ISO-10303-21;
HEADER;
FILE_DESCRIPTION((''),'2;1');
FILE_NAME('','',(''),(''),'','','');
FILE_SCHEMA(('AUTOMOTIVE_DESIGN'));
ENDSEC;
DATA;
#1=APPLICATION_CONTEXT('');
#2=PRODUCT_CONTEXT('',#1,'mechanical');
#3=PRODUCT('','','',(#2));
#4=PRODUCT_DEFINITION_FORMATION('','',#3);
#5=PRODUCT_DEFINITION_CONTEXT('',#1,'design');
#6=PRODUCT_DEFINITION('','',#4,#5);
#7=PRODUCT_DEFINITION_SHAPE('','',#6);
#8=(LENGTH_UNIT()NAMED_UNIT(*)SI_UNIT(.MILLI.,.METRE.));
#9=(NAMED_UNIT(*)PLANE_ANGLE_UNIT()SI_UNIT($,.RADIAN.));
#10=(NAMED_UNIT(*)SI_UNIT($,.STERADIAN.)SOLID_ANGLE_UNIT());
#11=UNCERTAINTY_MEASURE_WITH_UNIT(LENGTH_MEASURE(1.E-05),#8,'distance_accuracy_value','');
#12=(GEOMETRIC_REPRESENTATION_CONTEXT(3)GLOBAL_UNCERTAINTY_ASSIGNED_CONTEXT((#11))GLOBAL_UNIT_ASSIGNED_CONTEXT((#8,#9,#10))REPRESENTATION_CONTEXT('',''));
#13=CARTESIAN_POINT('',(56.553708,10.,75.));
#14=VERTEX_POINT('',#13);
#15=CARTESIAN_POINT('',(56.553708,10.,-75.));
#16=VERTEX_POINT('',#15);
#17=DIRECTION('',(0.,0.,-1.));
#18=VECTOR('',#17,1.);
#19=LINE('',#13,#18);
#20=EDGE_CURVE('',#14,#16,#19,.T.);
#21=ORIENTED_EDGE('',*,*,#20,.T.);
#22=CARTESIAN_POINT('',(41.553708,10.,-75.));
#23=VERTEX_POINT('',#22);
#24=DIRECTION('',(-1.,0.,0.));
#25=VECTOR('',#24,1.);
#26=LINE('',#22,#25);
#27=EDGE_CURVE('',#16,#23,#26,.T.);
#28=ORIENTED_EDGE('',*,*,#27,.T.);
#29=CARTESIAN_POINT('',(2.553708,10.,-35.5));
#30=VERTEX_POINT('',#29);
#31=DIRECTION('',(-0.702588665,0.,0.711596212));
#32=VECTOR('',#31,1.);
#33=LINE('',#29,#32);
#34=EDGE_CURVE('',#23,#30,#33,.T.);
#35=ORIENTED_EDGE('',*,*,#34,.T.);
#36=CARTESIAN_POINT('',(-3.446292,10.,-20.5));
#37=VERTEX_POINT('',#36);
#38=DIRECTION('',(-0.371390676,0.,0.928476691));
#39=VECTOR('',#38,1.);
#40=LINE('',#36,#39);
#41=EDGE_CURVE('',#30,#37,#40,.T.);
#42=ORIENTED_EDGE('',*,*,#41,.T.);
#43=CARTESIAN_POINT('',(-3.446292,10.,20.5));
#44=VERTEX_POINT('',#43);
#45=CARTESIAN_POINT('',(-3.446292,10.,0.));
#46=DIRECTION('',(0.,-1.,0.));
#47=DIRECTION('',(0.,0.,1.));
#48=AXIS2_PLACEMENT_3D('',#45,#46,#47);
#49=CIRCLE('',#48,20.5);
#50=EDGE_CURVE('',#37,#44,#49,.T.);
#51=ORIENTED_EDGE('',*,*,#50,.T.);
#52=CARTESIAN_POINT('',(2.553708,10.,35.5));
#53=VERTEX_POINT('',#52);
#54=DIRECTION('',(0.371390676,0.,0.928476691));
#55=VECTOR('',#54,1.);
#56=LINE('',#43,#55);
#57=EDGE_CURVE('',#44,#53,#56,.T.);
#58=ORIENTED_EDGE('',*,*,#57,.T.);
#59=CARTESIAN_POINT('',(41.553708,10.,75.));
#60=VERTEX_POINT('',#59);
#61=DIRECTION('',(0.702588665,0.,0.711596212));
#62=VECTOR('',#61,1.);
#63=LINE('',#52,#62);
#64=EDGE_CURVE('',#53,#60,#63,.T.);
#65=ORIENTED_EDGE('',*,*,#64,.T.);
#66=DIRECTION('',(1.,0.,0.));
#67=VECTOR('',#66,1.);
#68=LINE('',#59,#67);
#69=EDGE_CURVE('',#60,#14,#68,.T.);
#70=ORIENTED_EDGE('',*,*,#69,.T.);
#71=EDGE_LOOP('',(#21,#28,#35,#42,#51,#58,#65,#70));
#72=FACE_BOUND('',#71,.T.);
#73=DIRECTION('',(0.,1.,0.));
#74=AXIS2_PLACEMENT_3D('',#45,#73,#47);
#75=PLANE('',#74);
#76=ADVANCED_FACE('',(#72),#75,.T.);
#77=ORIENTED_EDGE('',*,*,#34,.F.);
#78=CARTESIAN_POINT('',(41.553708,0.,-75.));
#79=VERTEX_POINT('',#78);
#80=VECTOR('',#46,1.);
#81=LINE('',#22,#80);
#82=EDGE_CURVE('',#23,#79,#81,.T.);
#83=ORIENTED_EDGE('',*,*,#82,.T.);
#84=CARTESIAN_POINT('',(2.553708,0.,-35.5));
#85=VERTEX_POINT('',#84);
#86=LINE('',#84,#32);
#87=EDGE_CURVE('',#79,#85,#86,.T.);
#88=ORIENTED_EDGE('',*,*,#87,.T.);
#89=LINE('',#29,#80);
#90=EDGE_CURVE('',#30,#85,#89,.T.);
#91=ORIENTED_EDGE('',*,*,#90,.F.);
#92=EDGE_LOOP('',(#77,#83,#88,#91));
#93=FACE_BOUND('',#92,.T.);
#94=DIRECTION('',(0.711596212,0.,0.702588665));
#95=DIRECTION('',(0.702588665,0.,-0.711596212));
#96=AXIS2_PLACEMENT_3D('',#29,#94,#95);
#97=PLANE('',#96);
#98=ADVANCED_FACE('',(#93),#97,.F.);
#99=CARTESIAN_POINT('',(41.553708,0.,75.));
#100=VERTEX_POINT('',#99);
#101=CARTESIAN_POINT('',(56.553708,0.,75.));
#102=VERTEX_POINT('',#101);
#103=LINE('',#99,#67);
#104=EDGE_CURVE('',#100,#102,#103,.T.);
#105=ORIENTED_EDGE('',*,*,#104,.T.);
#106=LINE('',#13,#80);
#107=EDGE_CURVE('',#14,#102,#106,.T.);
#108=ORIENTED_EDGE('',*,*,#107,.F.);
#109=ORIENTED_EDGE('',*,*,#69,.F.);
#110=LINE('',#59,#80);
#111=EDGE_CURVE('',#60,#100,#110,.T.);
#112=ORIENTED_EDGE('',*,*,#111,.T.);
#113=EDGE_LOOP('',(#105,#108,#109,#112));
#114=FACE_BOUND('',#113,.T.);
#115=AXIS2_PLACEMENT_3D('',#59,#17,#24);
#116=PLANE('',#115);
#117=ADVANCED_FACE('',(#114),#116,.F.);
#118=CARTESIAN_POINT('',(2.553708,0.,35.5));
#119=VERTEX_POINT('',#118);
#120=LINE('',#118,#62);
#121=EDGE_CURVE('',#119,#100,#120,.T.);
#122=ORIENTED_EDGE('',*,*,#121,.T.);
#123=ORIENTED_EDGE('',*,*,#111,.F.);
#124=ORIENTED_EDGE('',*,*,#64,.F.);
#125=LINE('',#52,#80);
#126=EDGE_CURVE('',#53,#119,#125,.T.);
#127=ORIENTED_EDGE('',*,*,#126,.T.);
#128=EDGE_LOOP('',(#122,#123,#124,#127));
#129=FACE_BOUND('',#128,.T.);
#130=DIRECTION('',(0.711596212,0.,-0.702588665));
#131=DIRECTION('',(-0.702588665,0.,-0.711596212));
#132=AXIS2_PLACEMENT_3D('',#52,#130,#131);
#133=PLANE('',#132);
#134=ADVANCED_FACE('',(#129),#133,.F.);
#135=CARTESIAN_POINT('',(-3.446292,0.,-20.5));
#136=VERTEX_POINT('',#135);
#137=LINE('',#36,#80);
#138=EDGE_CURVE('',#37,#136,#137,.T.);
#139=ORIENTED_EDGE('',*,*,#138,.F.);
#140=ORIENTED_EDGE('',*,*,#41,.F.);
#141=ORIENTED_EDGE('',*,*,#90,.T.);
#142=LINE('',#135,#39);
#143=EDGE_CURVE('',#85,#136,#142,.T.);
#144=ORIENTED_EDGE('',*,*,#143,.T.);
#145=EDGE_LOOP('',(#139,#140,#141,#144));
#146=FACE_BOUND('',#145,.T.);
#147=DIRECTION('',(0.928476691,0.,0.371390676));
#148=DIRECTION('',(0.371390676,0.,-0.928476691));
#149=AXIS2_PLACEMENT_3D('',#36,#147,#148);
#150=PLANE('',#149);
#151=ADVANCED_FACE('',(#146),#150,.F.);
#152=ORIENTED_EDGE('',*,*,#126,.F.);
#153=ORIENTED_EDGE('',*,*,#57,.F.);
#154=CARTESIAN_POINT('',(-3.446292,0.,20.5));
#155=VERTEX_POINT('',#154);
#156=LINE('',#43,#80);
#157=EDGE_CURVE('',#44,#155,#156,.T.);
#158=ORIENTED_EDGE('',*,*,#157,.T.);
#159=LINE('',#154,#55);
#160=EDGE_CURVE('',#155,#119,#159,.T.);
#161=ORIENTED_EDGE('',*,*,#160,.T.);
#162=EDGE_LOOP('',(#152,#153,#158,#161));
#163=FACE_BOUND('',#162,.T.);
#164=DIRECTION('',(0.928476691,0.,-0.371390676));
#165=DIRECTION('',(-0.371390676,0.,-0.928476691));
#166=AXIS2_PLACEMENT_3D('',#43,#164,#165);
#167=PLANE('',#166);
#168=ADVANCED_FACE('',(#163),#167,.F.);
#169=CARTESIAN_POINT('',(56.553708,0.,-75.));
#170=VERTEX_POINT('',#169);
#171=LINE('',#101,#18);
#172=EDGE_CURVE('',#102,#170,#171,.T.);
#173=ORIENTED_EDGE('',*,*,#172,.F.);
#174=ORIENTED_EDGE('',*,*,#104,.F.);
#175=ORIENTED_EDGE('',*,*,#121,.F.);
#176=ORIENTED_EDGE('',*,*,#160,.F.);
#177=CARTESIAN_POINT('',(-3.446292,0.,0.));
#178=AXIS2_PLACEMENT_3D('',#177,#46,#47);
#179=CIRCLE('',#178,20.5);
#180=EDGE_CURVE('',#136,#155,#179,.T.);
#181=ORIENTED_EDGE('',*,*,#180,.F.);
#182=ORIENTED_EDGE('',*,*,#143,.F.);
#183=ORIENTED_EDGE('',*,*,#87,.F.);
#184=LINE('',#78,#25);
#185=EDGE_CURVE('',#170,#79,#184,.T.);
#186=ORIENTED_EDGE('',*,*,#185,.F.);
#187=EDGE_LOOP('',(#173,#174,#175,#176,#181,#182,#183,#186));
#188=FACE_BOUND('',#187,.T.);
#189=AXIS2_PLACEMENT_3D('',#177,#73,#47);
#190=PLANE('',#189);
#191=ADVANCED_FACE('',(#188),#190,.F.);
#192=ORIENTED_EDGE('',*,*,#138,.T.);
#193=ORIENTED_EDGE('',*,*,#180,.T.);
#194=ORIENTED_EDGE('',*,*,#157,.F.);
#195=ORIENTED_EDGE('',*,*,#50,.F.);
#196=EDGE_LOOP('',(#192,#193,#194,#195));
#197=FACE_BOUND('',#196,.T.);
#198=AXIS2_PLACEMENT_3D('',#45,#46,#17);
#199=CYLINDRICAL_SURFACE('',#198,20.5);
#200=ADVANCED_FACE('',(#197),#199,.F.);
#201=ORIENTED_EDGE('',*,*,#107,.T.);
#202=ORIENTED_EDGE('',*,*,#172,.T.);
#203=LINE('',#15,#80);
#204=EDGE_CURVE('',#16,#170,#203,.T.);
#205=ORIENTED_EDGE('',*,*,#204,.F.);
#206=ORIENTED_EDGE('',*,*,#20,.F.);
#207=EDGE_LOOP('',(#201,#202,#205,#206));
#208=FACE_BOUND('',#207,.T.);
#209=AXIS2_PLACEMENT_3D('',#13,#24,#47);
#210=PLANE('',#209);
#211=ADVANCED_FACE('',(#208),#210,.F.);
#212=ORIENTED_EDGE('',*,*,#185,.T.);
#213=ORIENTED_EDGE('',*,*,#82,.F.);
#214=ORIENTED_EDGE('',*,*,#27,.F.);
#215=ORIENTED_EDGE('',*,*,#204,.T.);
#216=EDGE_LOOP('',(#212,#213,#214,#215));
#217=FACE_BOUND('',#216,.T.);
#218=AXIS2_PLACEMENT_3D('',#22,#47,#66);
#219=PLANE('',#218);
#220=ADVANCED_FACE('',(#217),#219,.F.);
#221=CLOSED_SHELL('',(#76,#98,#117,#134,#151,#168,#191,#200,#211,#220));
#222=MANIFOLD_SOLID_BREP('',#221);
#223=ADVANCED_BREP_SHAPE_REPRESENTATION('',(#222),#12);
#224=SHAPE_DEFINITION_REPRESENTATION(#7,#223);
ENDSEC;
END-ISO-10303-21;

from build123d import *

# Parameters (mm, degrees)
BOSS_EXTRUDE1_DEPTH = 10


with BuildPart() as part:
    # Sketch1 → Boss-Extrude1 (new body)
    with BuildSketch(Plane(origin=(0, 0, 0), x_dir=(1, 0, 0), z_dir=(0, 1, 0))):
        with BuildLine():
            Line((-3.44629156, -20.5), (2.55370844, -35.5))
            Line((2.55370844, -35.5), (41.55370844, -75))
            Line((41.55370844, -75), (56.55370844, -75))
            Line((56.55370844, -75), (56.55370844, 75))
            Line((56.55370844, 75), (41.55370844, 75))
            Line((41.55370844, 75), (2.55370844, 35.5))
            Line((2.55370844, 35.5), (-3.44629156, 20.5))
            ThreePointArc((-3.44629156, 20.5), (17.05370844, 0), (-3.44629156, -20.5))
        make_face()
    extrude(amount=BOSS_EXTRUDE1_DEPTH)


solid = part.part
